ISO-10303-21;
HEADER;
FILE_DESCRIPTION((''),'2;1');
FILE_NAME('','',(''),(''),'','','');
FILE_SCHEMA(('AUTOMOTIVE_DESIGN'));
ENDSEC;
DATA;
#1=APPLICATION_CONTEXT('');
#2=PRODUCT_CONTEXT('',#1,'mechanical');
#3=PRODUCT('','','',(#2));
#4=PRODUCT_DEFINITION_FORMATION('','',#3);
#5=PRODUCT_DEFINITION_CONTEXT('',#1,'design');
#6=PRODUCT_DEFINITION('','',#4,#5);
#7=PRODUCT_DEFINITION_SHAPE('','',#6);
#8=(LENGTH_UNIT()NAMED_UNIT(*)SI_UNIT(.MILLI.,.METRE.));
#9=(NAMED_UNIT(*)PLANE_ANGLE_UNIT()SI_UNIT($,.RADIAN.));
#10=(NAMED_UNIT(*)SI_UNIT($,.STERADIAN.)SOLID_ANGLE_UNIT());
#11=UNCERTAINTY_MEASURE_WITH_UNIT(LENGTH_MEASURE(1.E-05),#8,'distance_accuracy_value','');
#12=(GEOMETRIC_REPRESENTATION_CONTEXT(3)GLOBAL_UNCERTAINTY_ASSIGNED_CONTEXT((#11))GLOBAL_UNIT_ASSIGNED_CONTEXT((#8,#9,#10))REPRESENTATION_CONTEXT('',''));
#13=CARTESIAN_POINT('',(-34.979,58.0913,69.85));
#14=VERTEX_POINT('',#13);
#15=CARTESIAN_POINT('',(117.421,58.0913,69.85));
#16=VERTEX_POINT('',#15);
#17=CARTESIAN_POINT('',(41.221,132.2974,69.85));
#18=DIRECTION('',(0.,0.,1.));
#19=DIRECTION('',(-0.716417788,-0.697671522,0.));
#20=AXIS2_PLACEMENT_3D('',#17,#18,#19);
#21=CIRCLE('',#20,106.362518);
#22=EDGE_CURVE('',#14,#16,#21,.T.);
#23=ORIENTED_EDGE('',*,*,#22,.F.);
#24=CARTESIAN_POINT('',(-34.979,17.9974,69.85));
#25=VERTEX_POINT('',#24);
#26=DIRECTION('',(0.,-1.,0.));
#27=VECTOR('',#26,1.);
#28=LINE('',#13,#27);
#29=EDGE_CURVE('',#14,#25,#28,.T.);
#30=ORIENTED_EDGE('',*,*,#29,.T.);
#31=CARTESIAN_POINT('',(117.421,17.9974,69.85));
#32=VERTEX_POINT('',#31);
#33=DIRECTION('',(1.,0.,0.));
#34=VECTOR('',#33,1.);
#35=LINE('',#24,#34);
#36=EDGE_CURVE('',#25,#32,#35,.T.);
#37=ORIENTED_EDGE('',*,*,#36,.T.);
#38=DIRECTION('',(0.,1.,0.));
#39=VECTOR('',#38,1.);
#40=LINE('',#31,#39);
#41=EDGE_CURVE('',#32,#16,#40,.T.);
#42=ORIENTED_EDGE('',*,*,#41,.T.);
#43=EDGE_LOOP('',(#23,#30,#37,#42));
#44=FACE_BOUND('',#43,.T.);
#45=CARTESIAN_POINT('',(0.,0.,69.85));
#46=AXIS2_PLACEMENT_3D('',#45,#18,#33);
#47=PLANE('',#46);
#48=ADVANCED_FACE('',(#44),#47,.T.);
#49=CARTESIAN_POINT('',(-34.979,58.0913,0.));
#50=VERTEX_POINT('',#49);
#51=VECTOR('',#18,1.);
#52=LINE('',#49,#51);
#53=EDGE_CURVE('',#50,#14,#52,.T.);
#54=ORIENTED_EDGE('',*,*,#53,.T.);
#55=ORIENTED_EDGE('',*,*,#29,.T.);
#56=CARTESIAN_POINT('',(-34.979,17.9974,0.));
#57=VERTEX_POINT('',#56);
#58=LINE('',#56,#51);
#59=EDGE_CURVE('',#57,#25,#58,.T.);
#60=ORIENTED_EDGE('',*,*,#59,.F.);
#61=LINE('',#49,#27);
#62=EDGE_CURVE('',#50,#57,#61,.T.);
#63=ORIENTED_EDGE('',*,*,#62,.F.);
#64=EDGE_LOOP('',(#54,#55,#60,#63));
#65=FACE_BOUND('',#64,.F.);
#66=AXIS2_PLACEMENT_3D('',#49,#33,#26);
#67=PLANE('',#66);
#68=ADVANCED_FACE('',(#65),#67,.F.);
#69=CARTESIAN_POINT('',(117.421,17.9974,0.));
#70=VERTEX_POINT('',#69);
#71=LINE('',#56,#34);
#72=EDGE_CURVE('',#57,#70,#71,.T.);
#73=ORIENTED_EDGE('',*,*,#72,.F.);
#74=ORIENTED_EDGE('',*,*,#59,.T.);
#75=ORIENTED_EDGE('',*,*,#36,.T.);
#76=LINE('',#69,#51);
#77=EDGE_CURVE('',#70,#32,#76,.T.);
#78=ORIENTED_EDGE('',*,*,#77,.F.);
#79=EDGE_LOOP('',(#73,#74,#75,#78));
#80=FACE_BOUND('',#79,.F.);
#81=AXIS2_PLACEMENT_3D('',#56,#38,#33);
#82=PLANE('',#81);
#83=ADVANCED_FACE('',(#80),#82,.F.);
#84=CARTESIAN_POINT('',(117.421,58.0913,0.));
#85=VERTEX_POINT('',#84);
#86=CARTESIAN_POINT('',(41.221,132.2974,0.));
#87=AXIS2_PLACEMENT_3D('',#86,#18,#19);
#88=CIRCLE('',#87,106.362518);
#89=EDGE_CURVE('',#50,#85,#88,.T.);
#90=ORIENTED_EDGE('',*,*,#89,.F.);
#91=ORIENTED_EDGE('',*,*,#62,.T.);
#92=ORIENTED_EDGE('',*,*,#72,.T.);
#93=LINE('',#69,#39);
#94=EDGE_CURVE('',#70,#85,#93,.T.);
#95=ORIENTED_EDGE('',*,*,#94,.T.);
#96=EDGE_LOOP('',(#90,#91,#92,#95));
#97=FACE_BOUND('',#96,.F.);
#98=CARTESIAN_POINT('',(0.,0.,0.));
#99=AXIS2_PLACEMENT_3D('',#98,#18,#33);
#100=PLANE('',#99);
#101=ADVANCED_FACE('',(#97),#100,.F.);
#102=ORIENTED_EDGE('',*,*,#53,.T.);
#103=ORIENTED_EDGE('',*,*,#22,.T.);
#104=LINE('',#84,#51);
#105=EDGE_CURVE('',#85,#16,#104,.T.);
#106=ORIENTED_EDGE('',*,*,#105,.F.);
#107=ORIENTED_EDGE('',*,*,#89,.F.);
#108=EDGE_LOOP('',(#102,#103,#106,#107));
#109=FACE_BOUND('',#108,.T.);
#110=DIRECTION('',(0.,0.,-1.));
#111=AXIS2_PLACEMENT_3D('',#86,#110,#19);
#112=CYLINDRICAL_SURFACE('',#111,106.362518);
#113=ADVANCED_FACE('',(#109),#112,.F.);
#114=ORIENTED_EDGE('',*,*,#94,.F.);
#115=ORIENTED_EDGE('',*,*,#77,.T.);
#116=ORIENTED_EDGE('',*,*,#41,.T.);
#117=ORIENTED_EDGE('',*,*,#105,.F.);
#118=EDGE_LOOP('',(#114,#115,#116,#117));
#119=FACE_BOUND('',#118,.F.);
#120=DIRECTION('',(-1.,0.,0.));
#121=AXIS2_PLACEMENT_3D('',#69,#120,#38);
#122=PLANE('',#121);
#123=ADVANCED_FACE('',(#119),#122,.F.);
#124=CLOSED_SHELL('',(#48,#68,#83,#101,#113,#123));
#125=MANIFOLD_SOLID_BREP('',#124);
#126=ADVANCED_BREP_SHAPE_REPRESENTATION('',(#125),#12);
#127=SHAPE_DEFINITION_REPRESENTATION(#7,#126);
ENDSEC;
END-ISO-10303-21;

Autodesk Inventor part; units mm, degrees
ref_plane "YZ Plane" through (0, 0, 0) normal (1, 0, 0) x (0, 1, 0)
ref_plane "XZ Plane" through (0, 0, 0) normal (0, 1, 0) x (-1, 0, 0)
ref_plane "XY Plane" through (0, 0, 0) normal (0, 0, 1) x (1, 0, 0)
sketch "Sketch1" plane through (0, 0, 0) normal (0, 0, 1) x (1, 0, 0)
  line L0 (-34.979, 58.0913) -> (-34.979, 17.9974)
  line L1 (-34.979, 17.9974) -> (117.421, 17.9974)
  line L2 (117.421, 17.9974) -> (117.421, 58.0913)
  arc A0 (-34.979, 58.0913) -> (117.421, 58.0913) centre (41.221, 132.2974) ccw
  point P0 (0, 0)
  dimension "d0" = 106.3625
  dimension "d1" = 152.4
  dimension "d2" = 7.9375
extrude "Extrusion1" add sketch "Sketch1" along normal blind 69.85
properties part number "Thurst_Duct_Support"
